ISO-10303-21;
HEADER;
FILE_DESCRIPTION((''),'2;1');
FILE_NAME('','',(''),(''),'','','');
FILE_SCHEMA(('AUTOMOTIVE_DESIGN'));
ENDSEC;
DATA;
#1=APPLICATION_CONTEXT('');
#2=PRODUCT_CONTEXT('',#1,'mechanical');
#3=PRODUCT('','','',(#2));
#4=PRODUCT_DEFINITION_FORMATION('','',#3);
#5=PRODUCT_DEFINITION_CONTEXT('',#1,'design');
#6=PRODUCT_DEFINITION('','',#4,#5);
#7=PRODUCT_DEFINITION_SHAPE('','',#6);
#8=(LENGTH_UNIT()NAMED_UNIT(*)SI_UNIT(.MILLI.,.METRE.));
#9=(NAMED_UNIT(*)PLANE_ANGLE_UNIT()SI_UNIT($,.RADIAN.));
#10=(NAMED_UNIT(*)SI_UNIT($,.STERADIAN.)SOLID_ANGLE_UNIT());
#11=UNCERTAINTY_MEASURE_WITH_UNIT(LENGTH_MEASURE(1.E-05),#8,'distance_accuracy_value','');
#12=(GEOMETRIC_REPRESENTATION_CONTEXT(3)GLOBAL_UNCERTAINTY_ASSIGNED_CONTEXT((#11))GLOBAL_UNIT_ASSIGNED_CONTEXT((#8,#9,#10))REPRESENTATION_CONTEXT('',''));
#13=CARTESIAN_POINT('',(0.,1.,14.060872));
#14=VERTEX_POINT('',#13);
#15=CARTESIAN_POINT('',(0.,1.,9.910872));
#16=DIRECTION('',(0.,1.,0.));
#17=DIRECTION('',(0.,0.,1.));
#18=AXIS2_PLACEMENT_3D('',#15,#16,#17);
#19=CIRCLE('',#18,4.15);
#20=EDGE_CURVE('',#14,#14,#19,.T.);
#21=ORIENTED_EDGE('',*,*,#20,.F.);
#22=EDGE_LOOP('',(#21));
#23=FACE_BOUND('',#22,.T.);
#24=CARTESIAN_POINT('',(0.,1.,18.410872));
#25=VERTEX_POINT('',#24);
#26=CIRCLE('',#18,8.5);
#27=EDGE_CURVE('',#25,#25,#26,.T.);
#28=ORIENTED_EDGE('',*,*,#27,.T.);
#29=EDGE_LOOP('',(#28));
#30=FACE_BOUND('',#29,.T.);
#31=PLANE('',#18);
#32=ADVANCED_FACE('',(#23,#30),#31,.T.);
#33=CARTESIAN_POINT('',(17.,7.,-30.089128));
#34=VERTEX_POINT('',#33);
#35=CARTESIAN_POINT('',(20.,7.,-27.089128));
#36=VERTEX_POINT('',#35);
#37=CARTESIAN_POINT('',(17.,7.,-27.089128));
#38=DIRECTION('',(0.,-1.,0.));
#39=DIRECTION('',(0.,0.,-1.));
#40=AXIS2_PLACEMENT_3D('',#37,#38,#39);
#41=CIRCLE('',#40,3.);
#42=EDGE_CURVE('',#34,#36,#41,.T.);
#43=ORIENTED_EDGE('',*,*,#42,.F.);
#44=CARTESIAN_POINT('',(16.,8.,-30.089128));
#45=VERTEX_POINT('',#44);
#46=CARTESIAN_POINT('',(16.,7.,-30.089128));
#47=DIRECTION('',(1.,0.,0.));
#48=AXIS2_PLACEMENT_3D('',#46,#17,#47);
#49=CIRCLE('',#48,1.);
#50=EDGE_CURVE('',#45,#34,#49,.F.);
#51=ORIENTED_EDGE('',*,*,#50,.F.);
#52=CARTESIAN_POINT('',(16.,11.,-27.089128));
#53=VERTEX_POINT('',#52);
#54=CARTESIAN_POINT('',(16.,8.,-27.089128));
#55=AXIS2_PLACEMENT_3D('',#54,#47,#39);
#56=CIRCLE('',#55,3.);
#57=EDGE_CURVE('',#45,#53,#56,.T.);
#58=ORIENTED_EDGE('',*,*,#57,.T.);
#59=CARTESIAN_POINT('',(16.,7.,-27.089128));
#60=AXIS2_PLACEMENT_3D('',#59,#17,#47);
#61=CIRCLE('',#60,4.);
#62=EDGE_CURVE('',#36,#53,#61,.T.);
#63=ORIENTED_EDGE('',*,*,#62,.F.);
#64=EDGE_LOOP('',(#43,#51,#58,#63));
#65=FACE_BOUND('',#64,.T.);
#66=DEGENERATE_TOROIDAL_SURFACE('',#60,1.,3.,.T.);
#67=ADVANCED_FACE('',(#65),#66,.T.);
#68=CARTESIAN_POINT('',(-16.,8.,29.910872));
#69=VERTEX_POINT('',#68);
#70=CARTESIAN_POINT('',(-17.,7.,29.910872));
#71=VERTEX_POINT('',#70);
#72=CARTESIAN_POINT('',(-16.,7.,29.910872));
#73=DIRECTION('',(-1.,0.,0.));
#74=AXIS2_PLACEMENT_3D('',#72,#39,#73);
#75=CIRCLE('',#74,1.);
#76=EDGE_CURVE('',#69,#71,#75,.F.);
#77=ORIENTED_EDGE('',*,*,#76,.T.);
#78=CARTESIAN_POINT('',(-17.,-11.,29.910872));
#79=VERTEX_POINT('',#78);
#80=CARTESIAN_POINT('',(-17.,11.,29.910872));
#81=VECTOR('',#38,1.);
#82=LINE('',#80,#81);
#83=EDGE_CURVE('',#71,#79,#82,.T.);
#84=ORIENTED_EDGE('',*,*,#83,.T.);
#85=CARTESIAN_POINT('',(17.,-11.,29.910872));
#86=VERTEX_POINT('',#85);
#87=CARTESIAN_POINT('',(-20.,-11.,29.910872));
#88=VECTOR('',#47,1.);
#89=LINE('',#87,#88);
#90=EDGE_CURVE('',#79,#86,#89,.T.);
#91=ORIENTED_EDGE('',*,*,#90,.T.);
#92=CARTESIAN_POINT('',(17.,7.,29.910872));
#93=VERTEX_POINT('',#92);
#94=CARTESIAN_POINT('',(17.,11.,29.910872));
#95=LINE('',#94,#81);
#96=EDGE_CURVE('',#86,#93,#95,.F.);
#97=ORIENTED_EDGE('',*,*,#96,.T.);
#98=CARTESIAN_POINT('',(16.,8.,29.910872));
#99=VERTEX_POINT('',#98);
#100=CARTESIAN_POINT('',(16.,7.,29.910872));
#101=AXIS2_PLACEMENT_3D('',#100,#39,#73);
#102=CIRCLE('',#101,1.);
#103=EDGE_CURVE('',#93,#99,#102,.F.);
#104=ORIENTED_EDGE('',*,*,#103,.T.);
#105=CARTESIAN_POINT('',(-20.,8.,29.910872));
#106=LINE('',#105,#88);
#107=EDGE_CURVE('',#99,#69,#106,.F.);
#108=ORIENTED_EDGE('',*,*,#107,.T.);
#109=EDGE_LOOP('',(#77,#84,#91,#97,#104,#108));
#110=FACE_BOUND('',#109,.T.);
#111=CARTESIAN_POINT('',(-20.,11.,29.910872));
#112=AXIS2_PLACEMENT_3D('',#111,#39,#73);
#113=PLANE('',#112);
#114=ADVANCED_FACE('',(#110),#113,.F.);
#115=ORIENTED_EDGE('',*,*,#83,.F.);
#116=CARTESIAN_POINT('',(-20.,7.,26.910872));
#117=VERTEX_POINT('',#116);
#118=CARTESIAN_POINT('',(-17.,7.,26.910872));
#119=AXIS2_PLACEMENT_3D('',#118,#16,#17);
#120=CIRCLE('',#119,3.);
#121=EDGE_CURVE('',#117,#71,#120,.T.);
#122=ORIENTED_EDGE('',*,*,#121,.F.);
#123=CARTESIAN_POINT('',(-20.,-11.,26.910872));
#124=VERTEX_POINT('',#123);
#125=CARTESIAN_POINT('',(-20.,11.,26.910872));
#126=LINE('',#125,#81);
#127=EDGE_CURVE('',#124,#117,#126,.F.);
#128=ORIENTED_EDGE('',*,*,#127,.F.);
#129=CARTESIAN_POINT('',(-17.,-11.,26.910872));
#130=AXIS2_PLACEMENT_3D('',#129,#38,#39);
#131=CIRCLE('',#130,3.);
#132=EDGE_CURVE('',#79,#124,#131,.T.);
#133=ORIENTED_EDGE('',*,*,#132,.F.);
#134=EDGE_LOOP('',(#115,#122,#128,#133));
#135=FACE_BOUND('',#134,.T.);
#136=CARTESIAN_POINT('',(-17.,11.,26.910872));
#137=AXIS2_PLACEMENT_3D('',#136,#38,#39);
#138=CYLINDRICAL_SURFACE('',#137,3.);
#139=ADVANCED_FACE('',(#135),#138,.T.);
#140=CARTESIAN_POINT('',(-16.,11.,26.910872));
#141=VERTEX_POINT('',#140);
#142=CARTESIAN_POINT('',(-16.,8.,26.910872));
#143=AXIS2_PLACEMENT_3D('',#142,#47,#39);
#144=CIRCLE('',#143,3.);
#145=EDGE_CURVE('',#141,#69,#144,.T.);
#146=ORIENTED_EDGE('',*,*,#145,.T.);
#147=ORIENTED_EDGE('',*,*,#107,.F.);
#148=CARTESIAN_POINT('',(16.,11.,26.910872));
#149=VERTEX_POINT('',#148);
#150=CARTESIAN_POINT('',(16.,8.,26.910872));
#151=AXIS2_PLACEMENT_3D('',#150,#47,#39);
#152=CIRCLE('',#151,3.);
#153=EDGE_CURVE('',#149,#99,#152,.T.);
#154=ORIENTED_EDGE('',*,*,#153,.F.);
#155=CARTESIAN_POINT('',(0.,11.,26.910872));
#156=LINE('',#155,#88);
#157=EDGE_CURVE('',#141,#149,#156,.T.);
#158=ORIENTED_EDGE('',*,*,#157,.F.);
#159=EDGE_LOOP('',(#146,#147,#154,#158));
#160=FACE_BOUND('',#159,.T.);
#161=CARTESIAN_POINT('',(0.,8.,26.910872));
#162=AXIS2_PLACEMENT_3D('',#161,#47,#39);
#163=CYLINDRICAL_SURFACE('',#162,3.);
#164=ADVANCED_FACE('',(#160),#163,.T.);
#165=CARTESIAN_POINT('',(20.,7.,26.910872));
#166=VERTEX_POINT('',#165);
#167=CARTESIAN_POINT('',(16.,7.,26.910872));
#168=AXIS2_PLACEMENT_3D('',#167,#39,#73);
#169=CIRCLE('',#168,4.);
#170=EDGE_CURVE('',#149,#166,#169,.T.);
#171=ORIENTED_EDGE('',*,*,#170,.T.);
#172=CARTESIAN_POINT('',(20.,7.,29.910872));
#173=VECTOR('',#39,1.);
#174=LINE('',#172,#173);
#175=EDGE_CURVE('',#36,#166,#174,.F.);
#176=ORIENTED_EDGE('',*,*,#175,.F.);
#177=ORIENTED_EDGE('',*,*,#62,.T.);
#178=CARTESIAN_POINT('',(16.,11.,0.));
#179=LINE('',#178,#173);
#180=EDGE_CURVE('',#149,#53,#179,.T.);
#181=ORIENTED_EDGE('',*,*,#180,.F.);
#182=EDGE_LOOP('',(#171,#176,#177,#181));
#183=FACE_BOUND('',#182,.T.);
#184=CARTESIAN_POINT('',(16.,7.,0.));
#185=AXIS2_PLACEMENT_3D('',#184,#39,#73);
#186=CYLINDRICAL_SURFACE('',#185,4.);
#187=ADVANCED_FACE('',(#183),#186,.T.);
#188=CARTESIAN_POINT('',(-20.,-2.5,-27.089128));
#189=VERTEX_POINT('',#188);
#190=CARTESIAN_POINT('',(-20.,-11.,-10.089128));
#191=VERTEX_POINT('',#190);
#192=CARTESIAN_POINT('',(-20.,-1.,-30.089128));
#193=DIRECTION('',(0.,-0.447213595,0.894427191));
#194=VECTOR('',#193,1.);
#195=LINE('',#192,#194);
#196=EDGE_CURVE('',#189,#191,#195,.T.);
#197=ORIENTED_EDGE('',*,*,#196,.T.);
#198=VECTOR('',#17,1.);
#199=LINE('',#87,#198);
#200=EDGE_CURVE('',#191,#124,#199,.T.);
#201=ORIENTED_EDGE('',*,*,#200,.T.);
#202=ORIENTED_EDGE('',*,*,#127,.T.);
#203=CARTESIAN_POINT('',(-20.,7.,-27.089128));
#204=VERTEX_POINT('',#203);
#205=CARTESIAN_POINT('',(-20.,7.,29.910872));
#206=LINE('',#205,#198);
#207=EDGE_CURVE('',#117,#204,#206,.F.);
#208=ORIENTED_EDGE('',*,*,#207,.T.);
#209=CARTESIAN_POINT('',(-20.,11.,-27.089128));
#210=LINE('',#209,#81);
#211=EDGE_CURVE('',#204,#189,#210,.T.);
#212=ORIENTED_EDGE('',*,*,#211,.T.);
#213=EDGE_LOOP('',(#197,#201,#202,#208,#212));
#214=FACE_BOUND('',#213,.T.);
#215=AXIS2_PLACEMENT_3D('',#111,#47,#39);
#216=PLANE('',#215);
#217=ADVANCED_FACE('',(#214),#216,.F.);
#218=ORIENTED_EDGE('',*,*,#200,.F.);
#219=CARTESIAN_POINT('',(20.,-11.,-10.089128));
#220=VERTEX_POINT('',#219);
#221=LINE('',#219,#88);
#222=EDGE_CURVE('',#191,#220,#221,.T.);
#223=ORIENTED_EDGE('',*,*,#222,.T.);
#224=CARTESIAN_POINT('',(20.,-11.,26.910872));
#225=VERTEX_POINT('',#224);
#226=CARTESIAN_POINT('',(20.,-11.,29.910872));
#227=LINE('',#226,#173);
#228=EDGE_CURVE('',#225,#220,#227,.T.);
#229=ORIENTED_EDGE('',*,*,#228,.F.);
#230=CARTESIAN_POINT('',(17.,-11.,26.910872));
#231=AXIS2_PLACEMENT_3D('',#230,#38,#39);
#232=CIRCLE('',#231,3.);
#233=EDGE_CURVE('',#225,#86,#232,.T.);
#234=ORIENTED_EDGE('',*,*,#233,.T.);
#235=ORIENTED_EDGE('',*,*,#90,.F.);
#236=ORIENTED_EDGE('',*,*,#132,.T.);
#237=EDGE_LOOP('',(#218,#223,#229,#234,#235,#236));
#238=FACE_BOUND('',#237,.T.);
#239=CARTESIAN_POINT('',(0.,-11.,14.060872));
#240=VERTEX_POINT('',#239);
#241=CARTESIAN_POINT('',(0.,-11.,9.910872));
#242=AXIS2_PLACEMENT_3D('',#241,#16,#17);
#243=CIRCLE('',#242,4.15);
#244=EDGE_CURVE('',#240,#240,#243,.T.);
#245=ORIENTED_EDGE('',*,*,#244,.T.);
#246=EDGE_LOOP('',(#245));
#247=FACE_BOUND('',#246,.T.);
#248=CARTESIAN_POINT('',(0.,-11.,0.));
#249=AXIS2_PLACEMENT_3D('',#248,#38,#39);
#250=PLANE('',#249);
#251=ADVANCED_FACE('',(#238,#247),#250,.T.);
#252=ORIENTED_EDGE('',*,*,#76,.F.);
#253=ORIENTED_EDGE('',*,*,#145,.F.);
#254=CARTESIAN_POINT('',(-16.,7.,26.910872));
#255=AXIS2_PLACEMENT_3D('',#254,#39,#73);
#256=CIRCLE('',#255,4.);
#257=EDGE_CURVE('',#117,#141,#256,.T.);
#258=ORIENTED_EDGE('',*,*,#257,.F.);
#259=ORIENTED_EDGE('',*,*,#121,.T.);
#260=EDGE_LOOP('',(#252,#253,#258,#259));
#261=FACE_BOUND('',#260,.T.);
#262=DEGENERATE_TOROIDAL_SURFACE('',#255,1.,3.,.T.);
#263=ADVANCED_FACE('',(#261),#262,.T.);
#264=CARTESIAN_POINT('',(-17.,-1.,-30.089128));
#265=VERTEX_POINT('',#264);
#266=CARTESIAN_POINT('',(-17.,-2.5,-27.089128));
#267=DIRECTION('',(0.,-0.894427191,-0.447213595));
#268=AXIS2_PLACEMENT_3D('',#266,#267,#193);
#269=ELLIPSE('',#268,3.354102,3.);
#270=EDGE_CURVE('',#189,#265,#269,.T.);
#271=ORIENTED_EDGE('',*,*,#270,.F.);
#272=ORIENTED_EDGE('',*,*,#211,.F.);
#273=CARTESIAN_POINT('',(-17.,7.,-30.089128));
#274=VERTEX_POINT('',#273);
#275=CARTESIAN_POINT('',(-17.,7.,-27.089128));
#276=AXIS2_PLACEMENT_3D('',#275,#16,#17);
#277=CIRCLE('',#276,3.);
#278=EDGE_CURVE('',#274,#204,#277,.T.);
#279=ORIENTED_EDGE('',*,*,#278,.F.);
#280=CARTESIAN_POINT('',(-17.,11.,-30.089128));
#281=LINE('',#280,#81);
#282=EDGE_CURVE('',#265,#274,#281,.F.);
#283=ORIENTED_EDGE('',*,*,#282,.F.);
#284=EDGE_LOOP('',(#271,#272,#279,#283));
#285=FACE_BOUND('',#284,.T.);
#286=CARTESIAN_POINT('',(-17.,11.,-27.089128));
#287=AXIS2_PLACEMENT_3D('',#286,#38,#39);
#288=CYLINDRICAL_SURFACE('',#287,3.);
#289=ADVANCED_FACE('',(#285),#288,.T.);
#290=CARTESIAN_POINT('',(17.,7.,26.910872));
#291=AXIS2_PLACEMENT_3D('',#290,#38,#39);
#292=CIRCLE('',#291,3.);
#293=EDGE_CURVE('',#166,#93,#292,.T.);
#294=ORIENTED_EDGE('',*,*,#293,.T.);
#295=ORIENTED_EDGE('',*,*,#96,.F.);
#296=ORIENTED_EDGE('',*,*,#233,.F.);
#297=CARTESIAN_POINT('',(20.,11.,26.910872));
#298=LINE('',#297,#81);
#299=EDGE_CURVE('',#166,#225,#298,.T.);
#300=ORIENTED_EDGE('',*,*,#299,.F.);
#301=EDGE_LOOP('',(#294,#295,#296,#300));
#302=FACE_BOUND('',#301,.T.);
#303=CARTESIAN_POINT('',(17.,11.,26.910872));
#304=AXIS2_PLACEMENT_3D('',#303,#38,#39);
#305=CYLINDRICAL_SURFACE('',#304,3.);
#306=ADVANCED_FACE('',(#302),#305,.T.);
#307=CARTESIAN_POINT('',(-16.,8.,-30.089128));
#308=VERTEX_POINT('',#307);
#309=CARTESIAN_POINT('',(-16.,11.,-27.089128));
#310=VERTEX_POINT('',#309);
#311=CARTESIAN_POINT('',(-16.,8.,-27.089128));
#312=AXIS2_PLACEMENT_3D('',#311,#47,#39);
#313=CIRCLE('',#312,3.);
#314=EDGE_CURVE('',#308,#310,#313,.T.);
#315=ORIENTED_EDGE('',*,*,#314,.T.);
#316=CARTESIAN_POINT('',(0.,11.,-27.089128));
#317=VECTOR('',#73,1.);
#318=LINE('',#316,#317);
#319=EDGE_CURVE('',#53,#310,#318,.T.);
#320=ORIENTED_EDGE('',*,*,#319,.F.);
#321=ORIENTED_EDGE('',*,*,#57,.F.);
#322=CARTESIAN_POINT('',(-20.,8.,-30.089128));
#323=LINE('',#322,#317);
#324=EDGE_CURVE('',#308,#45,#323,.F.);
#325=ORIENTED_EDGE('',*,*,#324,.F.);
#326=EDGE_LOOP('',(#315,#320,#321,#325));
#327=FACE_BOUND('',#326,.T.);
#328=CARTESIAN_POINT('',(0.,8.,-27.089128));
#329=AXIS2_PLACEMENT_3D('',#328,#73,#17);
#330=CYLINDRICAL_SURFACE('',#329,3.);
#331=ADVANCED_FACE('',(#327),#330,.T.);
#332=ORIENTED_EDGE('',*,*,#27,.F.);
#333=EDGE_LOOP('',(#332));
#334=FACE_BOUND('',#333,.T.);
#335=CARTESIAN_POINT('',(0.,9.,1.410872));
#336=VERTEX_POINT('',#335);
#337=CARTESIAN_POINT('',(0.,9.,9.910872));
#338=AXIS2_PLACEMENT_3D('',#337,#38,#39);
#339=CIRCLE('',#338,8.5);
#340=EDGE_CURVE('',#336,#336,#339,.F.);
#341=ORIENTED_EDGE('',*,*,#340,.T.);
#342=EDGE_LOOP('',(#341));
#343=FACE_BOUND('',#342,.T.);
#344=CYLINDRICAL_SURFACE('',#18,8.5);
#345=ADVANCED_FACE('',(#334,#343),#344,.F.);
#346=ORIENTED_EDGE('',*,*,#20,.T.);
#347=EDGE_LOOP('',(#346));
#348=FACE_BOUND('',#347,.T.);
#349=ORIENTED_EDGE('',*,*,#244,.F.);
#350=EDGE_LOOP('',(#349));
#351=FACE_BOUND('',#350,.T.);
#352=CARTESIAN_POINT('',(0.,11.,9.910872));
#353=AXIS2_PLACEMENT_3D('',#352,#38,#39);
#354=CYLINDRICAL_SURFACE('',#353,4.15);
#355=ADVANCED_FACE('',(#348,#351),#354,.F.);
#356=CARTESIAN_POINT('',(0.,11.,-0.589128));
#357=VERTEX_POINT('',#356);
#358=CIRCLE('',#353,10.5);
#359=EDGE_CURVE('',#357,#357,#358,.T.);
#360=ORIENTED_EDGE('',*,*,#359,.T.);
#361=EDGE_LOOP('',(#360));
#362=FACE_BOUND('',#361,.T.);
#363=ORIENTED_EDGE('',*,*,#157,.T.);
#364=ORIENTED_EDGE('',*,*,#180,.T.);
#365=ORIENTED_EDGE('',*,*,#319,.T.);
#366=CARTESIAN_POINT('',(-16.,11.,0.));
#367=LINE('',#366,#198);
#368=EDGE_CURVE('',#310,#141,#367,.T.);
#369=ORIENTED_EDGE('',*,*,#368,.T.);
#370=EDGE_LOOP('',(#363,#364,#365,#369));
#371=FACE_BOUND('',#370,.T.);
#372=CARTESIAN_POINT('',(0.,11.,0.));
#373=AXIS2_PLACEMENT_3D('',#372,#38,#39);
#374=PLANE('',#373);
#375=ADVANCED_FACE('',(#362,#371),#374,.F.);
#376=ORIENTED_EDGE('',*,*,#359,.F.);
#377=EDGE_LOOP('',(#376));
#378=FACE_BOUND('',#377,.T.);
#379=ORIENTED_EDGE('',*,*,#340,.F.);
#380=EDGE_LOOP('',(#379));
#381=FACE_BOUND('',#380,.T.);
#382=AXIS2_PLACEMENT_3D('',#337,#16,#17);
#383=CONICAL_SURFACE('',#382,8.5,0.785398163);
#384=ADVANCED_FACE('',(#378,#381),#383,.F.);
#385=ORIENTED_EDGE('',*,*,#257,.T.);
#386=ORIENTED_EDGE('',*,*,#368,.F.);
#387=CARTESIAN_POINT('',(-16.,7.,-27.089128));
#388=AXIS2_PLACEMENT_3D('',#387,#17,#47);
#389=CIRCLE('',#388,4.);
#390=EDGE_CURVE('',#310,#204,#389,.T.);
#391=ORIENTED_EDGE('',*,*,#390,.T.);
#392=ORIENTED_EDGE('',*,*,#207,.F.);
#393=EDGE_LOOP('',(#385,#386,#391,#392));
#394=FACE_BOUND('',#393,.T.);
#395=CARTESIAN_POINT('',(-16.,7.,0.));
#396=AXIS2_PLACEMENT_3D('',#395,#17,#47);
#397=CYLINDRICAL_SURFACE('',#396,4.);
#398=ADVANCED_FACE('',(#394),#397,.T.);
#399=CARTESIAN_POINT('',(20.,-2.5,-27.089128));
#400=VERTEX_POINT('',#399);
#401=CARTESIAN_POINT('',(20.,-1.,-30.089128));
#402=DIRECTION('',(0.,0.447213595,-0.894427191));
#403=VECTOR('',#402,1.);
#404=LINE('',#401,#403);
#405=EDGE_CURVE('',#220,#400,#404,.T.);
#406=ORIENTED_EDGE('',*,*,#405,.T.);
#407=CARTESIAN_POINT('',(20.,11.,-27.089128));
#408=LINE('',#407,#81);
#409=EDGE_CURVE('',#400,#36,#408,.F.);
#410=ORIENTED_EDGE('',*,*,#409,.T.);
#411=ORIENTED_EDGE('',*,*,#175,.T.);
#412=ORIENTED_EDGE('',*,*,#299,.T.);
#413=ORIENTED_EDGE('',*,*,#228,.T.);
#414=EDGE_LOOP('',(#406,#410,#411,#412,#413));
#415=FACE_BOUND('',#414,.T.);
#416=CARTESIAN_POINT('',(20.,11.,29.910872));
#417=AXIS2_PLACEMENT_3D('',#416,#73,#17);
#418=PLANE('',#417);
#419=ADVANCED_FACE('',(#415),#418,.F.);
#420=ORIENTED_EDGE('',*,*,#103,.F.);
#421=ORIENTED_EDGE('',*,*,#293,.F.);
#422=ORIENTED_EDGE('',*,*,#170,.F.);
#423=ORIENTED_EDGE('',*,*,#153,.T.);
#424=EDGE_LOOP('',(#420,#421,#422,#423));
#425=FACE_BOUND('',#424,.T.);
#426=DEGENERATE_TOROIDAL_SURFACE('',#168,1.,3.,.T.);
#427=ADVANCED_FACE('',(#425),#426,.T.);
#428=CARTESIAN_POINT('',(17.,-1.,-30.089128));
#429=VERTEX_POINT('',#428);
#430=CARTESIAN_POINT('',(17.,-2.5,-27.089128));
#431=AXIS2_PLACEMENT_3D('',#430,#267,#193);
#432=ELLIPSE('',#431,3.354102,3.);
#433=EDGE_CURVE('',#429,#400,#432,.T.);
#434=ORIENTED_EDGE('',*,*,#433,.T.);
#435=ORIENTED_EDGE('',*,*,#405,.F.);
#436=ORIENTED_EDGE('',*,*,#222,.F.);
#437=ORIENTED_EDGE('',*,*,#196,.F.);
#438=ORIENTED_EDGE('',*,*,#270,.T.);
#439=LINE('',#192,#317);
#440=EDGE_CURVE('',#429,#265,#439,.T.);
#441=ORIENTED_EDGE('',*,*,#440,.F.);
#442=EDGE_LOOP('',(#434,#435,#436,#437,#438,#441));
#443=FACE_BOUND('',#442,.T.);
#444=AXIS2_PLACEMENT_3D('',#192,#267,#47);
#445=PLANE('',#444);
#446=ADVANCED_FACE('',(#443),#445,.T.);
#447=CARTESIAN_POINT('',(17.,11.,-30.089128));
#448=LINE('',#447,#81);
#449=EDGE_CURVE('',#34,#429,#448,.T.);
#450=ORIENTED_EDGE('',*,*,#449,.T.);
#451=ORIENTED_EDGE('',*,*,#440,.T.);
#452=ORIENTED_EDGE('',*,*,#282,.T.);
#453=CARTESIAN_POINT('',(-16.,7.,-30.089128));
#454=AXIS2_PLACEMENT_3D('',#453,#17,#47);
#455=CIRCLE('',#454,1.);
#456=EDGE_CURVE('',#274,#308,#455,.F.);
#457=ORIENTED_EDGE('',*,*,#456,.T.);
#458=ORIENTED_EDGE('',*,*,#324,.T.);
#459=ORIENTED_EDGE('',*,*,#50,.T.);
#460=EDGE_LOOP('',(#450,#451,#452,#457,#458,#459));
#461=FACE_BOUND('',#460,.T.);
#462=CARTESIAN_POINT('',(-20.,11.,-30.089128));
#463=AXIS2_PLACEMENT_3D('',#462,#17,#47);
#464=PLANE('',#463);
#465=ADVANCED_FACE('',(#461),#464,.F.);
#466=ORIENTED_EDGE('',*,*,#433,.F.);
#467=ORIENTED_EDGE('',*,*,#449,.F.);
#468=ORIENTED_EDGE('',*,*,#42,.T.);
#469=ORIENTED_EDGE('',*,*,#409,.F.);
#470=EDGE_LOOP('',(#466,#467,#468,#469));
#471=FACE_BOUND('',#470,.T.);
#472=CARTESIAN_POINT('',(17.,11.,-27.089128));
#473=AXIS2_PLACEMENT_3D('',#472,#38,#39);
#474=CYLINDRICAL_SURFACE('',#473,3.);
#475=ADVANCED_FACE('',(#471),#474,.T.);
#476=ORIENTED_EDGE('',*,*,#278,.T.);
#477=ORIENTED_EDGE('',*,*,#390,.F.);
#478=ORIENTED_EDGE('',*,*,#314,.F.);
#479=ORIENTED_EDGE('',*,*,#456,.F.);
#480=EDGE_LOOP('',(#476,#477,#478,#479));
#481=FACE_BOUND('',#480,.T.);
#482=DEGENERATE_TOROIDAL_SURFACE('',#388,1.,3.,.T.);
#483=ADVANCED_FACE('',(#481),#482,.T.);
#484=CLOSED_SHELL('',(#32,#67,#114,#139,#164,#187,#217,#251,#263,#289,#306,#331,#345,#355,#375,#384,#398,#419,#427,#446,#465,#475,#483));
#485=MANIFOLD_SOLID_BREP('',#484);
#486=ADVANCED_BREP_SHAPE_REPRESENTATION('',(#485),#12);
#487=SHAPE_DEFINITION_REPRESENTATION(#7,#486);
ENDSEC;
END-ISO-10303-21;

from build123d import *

# Parameters (mm, degrees)
SKETCH1_W           = 40
SKETCH1_H           = 60
SKETCH1_R           = 4.15
BOSS_EXTRUDE1_DEPTH = 11
SKETCH2_R           = 8.5
CUT_EXTRUDE1_DEPTH  = 10
FILLET1_R           = 4
CHAMFER1_SIZE       = 2
CHAMFER2_SIZE       = 20
CHAMFER2_SIZE2      = 10
FILLET2_R           = 3


with BuildPart() as part:
    # Sketch1 → Boss-Extrude1 (new body, symmetric)
    with BuildSketch(Plane(origin=(0, 0, 0), x_dir=(1, 0, 0), z_dir=(0, 1, 0))):
        with Locations((0, 0.089127558)):
            Rectangle(SKETCH1_W, SKETCH1_H)
        with Locations((0, -9.910872442)):
            Circle(SKETCH1_R, mode=Mode.SUBTRACT)
    extrude(amount=BOSS_EXTRUDE1_DEPTH, both=True)

    # Sketch2 → Cut-Extrude1 (cut)
    with BuildSketch(Plane(origin=(0, 11, 0), x_dir=(1, 0, 0), z_dir=(0, 1, 0))):
        with Locations((0, -9.910872442)):
            Circle(SKETCH2_R)
    extrude(amount=-CUT_EXTRUDE1_DEPTH, mode=Mode.SUBTRACT)

    # Fillet1
    fillet1_edges = [part.edges().sort_by_distance(p)[0] for p in [
        (-20, 11, -0.089127558),
        (20, 11, -0.089127558),
    ]]
    fillet(fillet1_edges, radius=FILLET1_R)

    # Chamfer1
    chamfer1_edges = [part.edges().sort_by_distance(p)[0] for p in [
        (-8.5, 11, 9.910872442),
    ]]
    chamfer(chamfer1_edges, length=CHAMFER1_SIZE)

    # Chamfer2
    chamfer2_edges = [part.edges().sort_by_distance(p)[0] for p in [
        (0, -11, -30.089127558),
    ]]
    chamfer2_side = [part.faces().sort_by_distance(p)[0] for p in [
        (0, -11, -0.319769187),
    ]]
    chamfer(chamfer2_edges, length=CHAMFER2_SIZE, length2=CHAMFER2_SIZE2, reference=chamfer2_side[0])

    # Fillet2
    fillet2_edges = [part.edges().sort_by_distance(p)[0] for p in [
        (0, 11, -30.089127558),
        (0, 11, 29.910872442),
        (20, -2, 29.910872442),
        (-20, -2, 29.910872442),
        (18.828427125, 9.828427125, 29.910872442),
        (-18.828427125, 9.828427125, 29.910872442),
        (-20, 3, -30.089127558),
        (20, 3, -30.089127558),
        (18.828427125, 9.828427125, -30.089127558),
        (-18.828427125, 9.828427125, -30.089127558),
    ]]
    fillet(fillet2_edges, radius=FILLET2_R)


solid = part.part
